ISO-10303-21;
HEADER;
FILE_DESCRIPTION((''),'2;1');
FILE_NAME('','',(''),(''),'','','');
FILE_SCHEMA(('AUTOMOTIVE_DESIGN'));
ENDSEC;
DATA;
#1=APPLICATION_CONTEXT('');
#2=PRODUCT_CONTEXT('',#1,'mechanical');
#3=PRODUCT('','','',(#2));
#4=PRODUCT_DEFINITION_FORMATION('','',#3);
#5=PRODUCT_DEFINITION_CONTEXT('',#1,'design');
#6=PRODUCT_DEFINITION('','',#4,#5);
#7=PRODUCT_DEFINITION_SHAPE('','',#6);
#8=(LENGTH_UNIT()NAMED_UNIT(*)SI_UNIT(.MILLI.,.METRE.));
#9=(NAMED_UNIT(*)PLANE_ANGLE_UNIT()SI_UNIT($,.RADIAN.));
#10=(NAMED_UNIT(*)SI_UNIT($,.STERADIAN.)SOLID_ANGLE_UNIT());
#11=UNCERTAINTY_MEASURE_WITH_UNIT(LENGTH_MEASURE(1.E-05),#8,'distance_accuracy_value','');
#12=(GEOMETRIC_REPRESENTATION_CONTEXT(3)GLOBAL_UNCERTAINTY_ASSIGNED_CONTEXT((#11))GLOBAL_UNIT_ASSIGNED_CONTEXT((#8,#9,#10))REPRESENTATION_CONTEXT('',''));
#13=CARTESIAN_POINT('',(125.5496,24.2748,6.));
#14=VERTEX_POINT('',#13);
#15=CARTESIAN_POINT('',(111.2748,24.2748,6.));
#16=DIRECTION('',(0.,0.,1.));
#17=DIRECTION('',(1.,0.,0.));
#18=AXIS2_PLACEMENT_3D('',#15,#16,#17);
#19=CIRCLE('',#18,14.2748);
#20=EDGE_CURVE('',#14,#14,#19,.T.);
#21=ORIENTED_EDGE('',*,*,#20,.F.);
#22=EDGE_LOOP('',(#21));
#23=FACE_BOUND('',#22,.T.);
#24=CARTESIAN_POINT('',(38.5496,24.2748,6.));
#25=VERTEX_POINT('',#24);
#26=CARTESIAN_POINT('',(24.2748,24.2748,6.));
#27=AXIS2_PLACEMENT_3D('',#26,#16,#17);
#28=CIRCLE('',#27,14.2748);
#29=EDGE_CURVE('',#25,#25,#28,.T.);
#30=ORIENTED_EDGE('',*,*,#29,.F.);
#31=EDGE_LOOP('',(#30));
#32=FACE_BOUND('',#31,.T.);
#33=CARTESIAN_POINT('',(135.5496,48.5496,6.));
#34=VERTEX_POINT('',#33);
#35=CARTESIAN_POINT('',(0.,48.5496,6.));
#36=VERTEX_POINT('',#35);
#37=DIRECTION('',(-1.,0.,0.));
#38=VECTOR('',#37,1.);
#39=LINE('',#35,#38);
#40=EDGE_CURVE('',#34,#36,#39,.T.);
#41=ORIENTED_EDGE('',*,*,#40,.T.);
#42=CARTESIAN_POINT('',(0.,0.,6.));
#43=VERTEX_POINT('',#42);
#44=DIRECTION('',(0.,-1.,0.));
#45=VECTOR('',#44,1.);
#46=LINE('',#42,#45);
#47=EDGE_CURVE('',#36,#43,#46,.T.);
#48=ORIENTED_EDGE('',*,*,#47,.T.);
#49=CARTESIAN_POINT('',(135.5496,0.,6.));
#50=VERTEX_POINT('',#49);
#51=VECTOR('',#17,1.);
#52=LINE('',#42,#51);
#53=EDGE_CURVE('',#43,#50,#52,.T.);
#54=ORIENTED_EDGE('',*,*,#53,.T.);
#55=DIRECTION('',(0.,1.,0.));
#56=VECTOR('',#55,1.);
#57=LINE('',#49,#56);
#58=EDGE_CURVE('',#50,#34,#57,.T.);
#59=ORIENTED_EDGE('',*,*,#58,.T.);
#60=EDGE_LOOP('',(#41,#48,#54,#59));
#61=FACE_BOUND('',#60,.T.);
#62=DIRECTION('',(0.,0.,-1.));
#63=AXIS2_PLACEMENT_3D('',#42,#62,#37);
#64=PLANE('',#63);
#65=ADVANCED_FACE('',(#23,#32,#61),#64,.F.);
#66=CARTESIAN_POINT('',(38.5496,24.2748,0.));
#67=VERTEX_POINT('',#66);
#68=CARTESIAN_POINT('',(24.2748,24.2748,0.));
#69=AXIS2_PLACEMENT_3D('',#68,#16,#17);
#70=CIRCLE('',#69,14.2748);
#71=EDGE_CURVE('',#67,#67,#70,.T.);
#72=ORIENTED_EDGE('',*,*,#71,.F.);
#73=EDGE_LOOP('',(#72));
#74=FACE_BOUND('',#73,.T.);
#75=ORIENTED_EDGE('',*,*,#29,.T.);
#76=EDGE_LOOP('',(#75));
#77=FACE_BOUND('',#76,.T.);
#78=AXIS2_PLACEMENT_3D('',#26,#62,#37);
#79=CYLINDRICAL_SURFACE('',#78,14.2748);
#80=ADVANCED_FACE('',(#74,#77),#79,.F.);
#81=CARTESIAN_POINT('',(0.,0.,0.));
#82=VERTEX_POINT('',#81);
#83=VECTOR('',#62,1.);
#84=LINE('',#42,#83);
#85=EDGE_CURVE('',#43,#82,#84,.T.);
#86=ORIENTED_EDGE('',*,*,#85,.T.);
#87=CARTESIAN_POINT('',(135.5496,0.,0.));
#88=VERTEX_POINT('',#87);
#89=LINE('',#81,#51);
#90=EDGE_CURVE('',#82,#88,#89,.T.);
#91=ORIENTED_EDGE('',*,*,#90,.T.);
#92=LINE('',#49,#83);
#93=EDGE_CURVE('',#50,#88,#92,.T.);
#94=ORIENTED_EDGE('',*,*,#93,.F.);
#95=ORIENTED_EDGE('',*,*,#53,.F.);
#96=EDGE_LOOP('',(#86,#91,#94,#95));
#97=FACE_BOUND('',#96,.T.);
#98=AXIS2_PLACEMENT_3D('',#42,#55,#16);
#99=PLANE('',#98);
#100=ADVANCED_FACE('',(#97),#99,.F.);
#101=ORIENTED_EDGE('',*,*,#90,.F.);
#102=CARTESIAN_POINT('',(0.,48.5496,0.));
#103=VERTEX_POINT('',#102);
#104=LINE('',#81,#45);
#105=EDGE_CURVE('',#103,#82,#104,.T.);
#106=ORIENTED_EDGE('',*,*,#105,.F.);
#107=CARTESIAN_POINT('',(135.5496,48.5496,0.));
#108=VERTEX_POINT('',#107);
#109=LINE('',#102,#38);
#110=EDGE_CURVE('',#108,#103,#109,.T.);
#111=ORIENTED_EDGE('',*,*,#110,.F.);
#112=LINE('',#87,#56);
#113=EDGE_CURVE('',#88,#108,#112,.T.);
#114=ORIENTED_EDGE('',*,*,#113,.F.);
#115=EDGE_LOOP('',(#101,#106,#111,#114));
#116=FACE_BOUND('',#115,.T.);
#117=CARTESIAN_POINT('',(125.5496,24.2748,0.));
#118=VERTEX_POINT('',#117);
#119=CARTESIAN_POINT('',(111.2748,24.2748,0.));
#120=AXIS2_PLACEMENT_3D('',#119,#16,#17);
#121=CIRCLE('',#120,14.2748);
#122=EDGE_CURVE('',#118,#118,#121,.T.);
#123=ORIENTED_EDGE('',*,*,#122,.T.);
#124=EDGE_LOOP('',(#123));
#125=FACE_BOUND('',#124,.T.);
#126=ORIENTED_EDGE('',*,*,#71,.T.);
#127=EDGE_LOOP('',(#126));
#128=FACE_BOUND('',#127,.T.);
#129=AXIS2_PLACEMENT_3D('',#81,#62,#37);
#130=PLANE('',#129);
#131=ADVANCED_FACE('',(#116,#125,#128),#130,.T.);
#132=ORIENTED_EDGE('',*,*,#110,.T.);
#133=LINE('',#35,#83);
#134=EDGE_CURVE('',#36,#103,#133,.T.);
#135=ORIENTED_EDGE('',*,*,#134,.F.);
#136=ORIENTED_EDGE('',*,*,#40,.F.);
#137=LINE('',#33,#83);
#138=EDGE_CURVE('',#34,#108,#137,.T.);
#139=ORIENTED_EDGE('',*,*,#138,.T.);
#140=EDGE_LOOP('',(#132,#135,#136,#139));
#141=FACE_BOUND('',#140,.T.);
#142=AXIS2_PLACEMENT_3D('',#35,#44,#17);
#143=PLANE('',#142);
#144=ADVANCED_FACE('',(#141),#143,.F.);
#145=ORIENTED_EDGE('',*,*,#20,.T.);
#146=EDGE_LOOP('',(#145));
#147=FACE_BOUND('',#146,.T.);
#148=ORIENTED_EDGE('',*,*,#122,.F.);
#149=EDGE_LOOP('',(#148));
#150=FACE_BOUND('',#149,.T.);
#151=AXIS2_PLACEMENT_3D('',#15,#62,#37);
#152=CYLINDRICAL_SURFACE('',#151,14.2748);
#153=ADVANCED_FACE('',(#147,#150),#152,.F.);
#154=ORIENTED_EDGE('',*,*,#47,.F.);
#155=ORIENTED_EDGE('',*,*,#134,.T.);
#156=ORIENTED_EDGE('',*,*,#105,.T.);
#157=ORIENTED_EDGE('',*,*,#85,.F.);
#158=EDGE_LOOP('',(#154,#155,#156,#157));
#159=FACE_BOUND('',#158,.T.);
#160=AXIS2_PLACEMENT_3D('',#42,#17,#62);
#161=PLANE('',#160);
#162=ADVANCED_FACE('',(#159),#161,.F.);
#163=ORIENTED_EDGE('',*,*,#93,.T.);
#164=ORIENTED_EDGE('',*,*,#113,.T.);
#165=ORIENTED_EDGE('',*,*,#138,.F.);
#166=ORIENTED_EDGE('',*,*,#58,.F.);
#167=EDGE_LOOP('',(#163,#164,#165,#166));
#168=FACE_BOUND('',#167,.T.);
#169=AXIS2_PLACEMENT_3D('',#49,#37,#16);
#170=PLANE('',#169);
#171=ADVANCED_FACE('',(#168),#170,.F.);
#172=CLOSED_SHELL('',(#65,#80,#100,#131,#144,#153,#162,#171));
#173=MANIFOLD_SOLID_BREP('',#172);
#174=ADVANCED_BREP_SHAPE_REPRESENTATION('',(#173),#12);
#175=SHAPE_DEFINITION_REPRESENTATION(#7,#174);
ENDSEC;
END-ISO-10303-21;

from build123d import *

# Parameters (mm, degrees)
SKETCH1_W           = 135.5496
SKETCH1_H           = 48.5496
SKETCH1_R           = 14.2748
BOSS_EXTRUDE1_DEPTH = 6


with BuildPart() as part:
    # Sketch1 → Boss-Extrude1 (new body)
    with BuildSketch(Plane.XY):
        with Locations((67.7748, 24.2748)):
            Rectangle(SKETCH1_W, SKETCH1_H)
        with Locations((24.2748, 24.2748)):
            Circle(SKETCH1_R, mode=Mode.SUBTRACT)
        with Locations((111.2748, 24.2748)):
            Circle(SKETCH1_R, mode=Mode.SUBTRACT)
    extrude(amount=BOSS_EXTRUDE1_DEPTH)


solid = part.part
